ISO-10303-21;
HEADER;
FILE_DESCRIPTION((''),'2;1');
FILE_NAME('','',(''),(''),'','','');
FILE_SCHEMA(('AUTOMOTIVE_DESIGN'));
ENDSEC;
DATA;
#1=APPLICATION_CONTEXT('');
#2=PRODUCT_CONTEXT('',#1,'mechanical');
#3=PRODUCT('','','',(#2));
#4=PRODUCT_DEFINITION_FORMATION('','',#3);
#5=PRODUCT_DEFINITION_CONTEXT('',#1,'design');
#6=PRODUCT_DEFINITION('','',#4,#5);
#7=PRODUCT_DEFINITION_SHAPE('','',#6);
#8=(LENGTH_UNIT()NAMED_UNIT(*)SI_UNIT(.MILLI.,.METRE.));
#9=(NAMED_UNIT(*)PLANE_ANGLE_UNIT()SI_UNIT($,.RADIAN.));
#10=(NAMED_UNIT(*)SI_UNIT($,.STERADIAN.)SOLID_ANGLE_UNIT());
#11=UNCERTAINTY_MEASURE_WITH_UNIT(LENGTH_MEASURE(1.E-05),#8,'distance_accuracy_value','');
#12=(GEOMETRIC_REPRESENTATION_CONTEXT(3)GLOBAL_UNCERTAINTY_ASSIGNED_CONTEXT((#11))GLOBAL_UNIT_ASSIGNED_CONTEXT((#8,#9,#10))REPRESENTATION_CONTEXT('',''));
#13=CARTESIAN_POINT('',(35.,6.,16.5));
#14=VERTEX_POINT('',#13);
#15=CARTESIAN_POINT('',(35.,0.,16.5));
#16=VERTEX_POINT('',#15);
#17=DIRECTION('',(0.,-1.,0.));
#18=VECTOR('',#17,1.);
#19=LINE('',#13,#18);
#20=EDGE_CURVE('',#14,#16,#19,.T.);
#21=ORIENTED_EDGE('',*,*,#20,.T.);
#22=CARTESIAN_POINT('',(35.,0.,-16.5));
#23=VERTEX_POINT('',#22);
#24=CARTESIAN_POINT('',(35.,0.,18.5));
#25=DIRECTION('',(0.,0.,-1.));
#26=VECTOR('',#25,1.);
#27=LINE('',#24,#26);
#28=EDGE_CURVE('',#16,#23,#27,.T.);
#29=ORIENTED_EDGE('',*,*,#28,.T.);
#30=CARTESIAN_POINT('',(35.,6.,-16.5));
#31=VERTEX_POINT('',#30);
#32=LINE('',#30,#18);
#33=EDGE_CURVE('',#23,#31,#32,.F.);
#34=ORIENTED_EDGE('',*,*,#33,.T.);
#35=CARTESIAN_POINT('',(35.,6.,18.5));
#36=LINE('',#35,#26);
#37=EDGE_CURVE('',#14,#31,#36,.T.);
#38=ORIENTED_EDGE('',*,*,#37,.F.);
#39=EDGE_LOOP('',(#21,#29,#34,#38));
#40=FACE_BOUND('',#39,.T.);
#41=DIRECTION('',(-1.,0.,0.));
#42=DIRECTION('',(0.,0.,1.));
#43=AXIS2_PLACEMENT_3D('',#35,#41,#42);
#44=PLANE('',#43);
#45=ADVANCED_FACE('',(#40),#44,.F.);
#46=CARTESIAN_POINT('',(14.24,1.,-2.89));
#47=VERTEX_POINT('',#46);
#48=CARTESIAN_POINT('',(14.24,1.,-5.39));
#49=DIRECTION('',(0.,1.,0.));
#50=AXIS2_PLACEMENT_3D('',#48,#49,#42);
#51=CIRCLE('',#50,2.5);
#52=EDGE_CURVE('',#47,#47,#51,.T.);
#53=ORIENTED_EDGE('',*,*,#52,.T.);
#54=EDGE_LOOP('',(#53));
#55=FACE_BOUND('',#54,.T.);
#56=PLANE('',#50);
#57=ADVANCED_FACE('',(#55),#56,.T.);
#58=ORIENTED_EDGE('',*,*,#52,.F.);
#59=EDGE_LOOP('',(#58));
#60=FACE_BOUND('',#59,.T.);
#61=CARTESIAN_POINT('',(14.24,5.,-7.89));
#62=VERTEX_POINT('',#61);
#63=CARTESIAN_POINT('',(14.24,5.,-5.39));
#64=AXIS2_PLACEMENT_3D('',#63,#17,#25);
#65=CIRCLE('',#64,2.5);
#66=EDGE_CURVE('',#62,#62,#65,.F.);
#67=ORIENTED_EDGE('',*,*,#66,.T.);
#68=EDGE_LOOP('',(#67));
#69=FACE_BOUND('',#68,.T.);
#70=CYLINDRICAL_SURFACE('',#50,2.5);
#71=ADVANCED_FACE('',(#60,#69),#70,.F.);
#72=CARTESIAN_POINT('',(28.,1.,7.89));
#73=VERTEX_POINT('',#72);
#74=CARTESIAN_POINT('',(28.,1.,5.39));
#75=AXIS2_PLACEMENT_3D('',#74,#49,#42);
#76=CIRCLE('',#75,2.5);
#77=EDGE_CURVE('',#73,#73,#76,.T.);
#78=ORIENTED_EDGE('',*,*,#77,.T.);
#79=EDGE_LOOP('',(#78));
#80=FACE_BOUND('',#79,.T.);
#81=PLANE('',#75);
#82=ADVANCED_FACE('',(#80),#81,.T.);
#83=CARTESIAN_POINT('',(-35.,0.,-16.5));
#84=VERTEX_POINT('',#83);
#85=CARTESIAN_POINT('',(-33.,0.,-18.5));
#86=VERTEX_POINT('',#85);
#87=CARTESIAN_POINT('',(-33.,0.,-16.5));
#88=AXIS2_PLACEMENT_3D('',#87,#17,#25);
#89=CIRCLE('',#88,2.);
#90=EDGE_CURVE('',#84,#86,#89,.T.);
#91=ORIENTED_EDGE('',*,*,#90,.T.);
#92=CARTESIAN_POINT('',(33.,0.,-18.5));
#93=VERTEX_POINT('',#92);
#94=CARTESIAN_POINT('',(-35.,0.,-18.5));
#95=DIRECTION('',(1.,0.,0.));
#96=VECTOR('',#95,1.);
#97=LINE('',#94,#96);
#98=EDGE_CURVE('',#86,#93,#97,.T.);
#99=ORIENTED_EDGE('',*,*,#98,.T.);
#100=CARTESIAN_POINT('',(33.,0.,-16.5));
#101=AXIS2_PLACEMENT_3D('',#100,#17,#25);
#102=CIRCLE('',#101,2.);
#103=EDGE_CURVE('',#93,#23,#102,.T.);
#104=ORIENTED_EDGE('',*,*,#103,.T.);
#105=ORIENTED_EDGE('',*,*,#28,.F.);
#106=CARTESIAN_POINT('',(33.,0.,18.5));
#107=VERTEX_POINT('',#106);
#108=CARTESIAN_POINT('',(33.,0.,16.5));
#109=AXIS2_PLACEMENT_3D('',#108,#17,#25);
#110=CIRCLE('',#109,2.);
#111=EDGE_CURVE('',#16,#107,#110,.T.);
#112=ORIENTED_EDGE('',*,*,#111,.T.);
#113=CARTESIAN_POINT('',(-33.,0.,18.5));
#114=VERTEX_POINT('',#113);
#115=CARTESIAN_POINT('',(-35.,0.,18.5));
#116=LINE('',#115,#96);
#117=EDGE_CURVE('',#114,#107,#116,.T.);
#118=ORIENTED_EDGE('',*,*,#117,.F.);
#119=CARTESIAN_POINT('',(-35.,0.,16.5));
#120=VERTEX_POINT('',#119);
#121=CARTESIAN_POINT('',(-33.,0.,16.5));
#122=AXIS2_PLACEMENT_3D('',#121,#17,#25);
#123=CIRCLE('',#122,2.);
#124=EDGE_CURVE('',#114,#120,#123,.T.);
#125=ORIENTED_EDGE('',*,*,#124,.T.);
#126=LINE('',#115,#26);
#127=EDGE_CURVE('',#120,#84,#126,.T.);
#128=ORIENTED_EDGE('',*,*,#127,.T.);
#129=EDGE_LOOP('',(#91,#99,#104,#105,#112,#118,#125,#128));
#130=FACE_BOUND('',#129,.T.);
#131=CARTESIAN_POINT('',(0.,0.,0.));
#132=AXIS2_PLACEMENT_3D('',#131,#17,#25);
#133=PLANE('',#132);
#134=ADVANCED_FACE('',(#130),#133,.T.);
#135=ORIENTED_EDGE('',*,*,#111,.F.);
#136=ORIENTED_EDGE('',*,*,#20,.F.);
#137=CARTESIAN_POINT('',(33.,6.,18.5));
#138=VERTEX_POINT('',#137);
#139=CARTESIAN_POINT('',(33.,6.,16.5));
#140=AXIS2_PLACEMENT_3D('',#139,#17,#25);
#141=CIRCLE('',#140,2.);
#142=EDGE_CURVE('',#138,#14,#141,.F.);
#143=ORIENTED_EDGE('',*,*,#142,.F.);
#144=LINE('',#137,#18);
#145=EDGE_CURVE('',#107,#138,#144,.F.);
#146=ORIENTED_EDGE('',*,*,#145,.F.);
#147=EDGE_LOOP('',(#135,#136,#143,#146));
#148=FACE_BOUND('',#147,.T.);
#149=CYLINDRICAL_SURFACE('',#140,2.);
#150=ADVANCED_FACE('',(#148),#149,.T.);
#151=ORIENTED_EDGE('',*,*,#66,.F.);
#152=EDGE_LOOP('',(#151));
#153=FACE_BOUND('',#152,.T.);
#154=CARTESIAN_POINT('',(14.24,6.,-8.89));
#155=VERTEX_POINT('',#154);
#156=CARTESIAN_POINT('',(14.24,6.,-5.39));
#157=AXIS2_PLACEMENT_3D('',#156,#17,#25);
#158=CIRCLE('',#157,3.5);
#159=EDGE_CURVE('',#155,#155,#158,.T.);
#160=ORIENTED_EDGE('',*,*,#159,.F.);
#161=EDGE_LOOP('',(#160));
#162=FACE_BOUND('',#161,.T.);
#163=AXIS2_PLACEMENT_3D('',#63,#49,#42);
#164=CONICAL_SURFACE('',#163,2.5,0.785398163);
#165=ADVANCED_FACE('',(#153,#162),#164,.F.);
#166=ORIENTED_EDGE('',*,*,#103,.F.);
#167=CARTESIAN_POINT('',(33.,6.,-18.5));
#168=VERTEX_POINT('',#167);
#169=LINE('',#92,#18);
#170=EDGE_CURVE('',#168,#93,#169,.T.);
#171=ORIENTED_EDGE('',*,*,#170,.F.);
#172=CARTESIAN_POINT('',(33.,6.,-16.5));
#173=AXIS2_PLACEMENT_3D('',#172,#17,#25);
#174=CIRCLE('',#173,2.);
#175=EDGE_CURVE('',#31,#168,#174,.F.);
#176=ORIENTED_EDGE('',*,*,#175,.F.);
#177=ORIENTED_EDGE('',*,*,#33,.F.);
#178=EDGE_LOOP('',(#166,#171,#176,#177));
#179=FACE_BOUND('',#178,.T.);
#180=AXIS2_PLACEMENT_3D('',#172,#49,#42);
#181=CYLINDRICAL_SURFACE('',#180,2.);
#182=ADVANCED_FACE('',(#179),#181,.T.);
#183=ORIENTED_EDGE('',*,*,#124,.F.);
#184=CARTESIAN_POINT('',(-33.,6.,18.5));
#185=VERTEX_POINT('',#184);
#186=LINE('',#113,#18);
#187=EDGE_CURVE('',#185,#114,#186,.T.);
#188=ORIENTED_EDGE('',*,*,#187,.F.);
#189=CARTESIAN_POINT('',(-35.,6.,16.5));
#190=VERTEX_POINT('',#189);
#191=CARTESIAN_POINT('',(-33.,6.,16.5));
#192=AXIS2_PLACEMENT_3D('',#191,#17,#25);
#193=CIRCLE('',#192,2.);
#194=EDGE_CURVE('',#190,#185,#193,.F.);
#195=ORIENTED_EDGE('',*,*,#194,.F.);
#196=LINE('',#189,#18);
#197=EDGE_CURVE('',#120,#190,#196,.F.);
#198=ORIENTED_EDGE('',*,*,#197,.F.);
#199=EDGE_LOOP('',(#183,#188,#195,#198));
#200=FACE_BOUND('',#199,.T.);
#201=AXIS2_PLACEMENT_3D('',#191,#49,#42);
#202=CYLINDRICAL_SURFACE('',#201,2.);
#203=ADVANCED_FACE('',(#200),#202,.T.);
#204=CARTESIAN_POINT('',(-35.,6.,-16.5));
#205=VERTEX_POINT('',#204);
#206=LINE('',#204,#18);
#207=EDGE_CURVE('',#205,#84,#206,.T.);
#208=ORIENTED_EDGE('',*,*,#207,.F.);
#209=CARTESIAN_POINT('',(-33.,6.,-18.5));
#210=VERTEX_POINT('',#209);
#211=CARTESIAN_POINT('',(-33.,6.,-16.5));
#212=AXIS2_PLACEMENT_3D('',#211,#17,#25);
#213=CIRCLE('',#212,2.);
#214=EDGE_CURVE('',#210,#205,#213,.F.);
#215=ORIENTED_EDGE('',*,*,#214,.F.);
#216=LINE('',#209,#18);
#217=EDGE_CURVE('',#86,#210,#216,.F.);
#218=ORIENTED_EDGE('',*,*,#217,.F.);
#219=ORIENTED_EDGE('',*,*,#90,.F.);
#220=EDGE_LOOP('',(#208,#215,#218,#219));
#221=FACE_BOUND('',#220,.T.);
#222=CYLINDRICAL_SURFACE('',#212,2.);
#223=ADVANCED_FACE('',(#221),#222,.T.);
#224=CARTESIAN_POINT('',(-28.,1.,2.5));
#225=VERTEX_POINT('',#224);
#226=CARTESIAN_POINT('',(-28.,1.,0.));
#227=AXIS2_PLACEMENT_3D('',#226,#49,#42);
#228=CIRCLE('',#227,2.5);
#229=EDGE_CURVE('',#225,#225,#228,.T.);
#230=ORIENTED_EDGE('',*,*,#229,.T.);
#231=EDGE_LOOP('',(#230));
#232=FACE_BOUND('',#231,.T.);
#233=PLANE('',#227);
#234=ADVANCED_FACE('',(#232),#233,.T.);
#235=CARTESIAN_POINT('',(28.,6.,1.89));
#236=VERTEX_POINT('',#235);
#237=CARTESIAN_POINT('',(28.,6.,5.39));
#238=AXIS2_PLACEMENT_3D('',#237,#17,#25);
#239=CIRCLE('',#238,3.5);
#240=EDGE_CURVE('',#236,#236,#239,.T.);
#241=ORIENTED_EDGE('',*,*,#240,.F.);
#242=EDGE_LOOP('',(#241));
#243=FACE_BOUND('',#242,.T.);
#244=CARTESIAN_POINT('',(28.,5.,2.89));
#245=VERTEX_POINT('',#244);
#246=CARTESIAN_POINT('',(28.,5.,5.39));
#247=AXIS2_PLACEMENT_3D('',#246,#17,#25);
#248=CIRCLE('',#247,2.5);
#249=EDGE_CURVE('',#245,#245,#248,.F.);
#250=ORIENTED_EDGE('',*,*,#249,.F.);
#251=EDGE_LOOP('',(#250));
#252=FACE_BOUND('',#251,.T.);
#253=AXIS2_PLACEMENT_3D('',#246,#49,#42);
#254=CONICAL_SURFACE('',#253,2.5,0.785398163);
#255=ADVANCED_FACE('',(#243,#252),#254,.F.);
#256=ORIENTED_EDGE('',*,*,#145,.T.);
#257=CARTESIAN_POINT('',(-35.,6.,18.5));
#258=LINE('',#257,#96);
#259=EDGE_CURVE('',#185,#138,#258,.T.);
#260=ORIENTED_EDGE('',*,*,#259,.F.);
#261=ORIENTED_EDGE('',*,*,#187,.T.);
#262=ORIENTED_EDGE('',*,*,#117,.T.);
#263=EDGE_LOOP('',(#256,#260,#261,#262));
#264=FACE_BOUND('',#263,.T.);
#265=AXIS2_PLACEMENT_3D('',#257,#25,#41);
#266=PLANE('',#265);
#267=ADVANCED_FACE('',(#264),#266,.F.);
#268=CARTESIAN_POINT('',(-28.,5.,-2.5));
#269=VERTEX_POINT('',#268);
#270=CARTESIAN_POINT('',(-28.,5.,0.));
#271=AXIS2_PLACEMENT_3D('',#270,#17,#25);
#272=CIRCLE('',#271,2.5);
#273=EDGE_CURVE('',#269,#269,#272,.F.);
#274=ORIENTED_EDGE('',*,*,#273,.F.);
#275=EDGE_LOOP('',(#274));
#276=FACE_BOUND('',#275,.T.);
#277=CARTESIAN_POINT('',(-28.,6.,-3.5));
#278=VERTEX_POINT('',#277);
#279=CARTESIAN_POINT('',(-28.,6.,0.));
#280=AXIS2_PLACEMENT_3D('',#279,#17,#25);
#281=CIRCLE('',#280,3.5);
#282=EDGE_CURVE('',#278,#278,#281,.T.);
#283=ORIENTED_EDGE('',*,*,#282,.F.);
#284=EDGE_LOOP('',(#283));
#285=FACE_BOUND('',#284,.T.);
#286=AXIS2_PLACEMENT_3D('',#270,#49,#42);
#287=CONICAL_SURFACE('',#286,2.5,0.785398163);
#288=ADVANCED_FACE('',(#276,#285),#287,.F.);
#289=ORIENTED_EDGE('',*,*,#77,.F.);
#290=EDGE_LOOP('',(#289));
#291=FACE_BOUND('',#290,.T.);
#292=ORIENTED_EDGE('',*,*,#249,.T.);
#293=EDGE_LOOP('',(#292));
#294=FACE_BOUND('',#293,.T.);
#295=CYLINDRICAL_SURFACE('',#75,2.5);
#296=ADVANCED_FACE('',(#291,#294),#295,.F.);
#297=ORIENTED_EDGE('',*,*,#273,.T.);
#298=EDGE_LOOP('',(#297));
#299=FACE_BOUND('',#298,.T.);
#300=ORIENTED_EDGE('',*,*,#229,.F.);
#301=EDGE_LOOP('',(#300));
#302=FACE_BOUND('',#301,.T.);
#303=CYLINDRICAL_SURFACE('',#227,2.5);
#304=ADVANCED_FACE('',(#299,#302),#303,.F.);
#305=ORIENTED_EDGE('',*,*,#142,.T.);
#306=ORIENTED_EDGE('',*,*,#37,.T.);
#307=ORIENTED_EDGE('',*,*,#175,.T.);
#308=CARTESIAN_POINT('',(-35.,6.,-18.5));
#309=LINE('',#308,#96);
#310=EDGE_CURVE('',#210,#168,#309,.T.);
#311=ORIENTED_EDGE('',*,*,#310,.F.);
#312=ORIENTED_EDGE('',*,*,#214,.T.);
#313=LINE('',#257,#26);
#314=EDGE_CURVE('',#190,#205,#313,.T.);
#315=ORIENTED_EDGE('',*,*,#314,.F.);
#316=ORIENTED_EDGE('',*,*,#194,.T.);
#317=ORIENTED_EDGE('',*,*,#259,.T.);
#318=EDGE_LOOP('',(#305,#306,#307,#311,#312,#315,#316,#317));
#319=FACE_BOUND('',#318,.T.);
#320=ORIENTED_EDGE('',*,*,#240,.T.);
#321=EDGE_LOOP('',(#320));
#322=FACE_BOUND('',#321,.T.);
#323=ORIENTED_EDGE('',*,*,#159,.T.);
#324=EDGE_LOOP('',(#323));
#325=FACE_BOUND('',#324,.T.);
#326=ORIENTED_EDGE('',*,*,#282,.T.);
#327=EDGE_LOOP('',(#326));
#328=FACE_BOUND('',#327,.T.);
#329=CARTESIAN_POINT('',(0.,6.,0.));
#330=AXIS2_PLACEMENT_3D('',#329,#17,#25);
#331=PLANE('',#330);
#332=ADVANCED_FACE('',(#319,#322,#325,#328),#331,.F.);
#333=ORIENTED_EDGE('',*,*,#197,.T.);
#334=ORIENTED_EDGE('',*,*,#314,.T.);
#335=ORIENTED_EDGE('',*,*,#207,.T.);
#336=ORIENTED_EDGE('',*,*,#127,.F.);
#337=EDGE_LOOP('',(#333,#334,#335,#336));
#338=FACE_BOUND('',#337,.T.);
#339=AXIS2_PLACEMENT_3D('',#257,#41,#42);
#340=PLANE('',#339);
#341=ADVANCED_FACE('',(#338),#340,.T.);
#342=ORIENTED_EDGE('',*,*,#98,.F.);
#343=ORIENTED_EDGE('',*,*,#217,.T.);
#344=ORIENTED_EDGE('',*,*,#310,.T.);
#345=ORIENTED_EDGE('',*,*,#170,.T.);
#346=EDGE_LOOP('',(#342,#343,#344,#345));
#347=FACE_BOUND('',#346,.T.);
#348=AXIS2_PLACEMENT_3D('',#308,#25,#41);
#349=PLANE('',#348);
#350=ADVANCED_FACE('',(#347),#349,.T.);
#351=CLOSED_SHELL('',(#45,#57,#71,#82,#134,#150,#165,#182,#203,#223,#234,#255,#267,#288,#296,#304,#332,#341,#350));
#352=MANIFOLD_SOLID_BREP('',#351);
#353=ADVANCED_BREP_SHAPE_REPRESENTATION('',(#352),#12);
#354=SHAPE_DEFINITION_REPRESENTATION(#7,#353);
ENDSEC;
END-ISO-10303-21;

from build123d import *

# Parameters (mm, degrees)
SKETCH3_W           = 70
SKETCH3_H           = 37
BOSS_EXTRUDE1_DEPTH = 6
FILLET1_R           = 2
SKETCH4_R           = 2.5
CUT_EXTRUDE1_DEPTH  = 5
SKETCH4_3_R         = 2.5
CUT_EXTRUDE2_DEPTH  = 5
SKETCH4_5_R         = 2.5
CUT_EXTRUDE3_DEPTH  = 5
CHAMFER1_SIZE       = 1


with BuildPart() as part:
    # Sketch3 → Boss-Extrude1 (new body)
    with BuildSketch(Plane(origin=(0, 0, 0), x_dir=(1, 0, 0), z_dir=(0, 1, 0))):
        Rectangle(SKETCH3_W, SKETCH3_H)
    extrude(amount=BOSS_EXTRUDE1_DEPTH)

    # Fillet1
    fillet1_edges = [part.edges().sort_by_distance(p)[0] for p in [
        (35, 3, 18.5),
        (-35, 3, -18.5),
        (-35, 3, 18.5),
        (35, 3, -18.5),
    ]]
    fillet(fillet1_edges, radius=FILLET1_R)

    # Sketch4 → Cut-Extrude1 (cut)
    with BuildSketch(Plane(origin=(0, 6, 0), x_dir=(1, 0, 0), z_dir=(0, 1, 0))):
        with Locations((28, -5.39)):
            Circle(SKETCH4_R)
    extrude(amount=-CUT_EXTRUDE1_DEPTH, mode=Mode.SUBTRACT)

    # Sketch4<3> → Cut-Extrude2 (cut)
    with BuildSketch(Plane(origin=(0, 6, 0), x_dir=(1, 0, 0), z_dir=(0, 1, 0))):
        with Locations((14.24, 5.39)):
            Circle(SKETCH4_3_R)
    extrude(amount=-CUT_EXTRUDE2_DEPTH, mode=Mode.SUBTRACT)

    # Sketch4<5> → Cut-Extrude3 (cut)
    with BuildSketch(Plane(origin=(0, 6, 0), x_dir=(1, 0, 0), z_dir=(0, 1, 0))):
        with Locations((-28, 0)):
            Circle(SKETCH4_5_R)
    extrude(amount=-CUT_EXTRUDE3_DEPTH, mode=Mode.SUBTRACT)

    # Chamfer1
    chamfer1_edges = [part.edges().sort_by_distance(p)[0] for p in [
        (11.74, 6, -5.39),
        (-30.5, 6, 0),
        (25.5, 6, 5.39),
    ]]
    chamfer(chamfer1_edges, length=CHAMFER1_SIZE)


solid = part.part
